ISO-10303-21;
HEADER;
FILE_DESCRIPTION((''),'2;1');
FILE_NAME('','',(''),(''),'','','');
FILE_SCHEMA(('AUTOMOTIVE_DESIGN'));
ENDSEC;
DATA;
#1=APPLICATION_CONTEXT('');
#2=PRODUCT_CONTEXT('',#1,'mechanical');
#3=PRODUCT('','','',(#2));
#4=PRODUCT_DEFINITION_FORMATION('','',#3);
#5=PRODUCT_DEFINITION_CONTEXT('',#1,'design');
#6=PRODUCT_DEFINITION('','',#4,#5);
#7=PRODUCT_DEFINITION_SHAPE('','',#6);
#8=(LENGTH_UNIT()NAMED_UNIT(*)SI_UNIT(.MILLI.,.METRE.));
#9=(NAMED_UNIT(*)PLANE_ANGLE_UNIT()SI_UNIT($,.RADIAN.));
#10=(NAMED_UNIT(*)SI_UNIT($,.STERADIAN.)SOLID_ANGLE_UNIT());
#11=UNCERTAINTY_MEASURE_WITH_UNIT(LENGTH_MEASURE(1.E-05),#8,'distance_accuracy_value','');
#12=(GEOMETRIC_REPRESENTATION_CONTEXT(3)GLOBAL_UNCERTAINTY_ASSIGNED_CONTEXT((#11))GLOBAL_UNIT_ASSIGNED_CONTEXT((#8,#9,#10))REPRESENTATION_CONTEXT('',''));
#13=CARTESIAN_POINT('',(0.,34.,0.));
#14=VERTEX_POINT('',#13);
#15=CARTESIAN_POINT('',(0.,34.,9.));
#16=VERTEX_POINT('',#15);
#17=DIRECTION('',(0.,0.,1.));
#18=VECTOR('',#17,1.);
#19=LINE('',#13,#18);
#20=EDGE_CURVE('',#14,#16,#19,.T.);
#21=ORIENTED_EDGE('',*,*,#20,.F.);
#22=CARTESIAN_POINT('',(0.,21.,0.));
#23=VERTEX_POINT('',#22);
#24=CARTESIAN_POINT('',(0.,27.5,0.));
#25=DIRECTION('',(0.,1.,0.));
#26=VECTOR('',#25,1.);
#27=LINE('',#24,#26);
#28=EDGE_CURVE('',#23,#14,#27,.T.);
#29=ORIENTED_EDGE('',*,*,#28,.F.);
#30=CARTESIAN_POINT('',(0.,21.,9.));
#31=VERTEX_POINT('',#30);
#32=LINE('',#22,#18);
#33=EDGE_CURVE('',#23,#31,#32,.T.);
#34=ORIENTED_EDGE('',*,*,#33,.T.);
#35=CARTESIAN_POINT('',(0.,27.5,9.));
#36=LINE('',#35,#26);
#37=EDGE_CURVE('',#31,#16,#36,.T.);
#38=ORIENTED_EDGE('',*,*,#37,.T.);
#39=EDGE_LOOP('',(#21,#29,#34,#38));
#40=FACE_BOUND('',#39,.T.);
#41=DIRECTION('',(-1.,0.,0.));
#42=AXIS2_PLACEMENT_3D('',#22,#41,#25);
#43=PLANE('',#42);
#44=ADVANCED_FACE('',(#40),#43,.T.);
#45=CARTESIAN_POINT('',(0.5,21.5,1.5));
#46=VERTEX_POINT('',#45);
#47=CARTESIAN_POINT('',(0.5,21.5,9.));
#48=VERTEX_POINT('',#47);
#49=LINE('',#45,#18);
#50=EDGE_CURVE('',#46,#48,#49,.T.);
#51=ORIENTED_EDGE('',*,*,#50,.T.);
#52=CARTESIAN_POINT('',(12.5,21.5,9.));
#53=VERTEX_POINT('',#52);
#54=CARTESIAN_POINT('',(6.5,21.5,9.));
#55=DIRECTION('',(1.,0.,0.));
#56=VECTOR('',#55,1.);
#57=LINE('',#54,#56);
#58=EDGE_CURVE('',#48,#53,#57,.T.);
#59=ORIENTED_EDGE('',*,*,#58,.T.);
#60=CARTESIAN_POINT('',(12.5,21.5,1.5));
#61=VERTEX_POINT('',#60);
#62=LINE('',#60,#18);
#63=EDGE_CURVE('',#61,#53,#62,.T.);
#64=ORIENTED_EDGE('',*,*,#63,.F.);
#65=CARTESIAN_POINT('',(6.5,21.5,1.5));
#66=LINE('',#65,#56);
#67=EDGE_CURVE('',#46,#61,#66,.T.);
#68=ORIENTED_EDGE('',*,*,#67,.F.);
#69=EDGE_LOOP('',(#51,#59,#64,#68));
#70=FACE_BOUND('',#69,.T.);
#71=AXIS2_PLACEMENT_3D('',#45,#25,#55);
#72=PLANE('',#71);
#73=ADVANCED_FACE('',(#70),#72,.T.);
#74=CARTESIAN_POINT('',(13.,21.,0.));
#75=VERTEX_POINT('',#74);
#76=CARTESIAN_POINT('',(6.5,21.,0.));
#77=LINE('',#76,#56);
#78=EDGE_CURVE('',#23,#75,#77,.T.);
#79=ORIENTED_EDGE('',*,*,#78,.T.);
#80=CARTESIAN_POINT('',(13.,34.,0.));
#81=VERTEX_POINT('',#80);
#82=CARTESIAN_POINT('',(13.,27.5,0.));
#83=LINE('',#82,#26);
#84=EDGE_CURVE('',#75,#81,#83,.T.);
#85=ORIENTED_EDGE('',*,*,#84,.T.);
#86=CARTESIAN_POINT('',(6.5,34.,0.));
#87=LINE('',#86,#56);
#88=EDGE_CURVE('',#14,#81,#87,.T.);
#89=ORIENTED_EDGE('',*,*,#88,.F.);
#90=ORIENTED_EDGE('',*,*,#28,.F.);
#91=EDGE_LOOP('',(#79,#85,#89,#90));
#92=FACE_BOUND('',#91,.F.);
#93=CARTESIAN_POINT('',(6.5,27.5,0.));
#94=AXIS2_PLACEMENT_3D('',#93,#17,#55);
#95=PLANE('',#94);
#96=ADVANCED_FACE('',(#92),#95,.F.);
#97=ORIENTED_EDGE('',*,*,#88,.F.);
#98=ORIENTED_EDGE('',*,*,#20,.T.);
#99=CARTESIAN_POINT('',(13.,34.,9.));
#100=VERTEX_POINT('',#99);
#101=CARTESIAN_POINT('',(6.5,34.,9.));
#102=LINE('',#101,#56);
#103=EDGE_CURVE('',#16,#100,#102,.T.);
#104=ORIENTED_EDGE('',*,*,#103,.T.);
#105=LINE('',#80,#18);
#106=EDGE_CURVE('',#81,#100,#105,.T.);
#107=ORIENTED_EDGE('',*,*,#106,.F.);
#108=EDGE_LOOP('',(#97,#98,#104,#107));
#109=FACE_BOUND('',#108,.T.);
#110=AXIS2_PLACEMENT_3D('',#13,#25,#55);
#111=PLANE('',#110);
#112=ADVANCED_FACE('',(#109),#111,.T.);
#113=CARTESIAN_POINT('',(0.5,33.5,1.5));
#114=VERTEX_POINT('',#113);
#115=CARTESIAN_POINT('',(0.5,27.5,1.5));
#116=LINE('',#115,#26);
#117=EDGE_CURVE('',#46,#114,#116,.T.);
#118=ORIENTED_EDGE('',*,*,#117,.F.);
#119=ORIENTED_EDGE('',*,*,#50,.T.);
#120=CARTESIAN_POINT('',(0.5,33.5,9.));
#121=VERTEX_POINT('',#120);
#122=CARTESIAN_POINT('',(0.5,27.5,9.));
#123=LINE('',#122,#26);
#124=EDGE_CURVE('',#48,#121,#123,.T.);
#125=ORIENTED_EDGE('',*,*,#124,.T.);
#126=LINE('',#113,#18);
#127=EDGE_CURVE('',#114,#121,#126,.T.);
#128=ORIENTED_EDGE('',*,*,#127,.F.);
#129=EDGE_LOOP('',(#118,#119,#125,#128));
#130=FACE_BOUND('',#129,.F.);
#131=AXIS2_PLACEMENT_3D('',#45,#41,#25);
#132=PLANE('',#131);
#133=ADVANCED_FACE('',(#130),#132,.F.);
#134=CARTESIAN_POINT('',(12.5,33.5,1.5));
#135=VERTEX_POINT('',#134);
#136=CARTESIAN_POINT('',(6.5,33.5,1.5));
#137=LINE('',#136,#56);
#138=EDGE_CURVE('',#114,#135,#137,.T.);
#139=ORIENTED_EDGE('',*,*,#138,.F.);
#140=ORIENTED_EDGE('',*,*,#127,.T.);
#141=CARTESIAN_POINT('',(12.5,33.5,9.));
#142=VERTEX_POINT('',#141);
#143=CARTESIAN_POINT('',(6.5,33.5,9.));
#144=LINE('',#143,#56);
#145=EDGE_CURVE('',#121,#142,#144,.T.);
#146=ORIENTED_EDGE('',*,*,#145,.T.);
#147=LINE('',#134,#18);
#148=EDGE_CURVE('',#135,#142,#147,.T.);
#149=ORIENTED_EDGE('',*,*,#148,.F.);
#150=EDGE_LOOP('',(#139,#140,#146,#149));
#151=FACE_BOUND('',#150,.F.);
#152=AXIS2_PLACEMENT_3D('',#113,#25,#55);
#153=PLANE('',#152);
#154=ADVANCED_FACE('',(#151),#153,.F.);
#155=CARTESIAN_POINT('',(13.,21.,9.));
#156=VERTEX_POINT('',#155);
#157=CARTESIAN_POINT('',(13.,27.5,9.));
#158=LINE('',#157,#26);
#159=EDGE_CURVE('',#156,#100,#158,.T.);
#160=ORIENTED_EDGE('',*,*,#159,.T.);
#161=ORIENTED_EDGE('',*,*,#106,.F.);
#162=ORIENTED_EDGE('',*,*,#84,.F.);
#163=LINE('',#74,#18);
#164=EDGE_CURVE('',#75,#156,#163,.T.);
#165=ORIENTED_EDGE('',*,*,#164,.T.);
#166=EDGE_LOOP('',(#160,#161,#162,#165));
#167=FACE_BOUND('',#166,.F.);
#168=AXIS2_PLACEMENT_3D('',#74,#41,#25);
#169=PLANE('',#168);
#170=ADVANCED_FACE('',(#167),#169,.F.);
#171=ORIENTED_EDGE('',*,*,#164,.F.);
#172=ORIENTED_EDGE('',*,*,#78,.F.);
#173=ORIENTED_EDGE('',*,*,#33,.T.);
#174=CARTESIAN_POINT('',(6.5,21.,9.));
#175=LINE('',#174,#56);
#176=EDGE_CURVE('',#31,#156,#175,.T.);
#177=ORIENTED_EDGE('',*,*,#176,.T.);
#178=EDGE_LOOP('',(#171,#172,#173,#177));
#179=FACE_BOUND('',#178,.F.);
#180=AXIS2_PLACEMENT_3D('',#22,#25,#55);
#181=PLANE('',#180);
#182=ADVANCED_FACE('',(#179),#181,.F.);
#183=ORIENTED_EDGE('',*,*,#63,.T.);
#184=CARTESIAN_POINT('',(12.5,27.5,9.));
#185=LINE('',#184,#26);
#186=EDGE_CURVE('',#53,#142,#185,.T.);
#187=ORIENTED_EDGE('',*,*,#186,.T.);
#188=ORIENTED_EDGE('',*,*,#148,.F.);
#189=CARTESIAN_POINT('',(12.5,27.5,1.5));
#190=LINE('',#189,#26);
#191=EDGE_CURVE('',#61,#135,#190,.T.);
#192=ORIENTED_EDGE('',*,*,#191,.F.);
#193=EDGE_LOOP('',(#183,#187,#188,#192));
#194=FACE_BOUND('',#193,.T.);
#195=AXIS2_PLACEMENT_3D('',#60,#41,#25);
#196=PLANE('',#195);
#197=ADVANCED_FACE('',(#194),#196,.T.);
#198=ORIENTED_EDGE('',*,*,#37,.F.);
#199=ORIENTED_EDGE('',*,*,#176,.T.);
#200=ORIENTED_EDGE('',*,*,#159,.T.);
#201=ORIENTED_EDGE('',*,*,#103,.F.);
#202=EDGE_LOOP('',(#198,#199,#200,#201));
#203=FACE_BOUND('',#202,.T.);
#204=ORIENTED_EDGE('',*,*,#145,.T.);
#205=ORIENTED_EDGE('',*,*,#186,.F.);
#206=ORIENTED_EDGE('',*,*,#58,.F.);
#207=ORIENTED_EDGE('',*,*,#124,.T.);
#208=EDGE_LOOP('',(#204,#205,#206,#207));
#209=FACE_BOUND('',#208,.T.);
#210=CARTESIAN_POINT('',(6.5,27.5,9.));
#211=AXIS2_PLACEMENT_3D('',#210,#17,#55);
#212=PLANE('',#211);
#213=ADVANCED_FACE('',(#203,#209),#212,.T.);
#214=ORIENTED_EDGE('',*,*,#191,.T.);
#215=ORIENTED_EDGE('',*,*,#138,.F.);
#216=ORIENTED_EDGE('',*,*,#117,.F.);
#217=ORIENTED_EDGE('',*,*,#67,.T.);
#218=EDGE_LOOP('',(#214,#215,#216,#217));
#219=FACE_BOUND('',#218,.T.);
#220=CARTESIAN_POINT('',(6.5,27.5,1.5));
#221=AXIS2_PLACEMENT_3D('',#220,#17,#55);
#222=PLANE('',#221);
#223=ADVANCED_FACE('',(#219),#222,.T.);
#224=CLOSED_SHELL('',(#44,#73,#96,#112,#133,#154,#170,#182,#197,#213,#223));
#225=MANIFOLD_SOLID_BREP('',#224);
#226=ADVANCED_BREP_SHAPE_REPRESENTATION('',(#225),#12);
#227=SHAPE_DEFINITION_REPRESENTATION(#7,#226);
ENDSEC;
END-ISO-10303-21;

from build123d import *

# Parameters (mm, degrees)
BOX018_W     = 12
BOX018_H     = 12
BOX018_DEPTH = 7.5
BOX017_W     = 13
BOX017_H     = 13
BOX017_DEPTH = 9


with BuildPart() as cubo018:
    # Box018 → Box018 (new body)
    with BuildSketch(Plane(origin=(0.5, 21.5, 1.5), x_dir=(1, 0, 0), z_dir=(0, 0, 1))):
        with Locations((6, 6)):
            Rectangle(BOX018_W, BOX018_H)
    extrude(amount=BOX018_DEPTH)


with BuildPart() as tapa:
    # Box017 → Box017 (new body)
    with BuildSketch(Plane(origin=(0, 21, 0), x_dir=(1, 0, 0), z_dir=(0, 0, 1))):
        with Locations((6.5, 6.5)):
            Rectangle(BOX017_W, BOX017_H)
    extrude(amount=BOX017_DEPTH)

    # Cut029: cut Cubo018
    add(cubo018.part, mode=Mode.SUBTRACT)


solid = tapa.part
